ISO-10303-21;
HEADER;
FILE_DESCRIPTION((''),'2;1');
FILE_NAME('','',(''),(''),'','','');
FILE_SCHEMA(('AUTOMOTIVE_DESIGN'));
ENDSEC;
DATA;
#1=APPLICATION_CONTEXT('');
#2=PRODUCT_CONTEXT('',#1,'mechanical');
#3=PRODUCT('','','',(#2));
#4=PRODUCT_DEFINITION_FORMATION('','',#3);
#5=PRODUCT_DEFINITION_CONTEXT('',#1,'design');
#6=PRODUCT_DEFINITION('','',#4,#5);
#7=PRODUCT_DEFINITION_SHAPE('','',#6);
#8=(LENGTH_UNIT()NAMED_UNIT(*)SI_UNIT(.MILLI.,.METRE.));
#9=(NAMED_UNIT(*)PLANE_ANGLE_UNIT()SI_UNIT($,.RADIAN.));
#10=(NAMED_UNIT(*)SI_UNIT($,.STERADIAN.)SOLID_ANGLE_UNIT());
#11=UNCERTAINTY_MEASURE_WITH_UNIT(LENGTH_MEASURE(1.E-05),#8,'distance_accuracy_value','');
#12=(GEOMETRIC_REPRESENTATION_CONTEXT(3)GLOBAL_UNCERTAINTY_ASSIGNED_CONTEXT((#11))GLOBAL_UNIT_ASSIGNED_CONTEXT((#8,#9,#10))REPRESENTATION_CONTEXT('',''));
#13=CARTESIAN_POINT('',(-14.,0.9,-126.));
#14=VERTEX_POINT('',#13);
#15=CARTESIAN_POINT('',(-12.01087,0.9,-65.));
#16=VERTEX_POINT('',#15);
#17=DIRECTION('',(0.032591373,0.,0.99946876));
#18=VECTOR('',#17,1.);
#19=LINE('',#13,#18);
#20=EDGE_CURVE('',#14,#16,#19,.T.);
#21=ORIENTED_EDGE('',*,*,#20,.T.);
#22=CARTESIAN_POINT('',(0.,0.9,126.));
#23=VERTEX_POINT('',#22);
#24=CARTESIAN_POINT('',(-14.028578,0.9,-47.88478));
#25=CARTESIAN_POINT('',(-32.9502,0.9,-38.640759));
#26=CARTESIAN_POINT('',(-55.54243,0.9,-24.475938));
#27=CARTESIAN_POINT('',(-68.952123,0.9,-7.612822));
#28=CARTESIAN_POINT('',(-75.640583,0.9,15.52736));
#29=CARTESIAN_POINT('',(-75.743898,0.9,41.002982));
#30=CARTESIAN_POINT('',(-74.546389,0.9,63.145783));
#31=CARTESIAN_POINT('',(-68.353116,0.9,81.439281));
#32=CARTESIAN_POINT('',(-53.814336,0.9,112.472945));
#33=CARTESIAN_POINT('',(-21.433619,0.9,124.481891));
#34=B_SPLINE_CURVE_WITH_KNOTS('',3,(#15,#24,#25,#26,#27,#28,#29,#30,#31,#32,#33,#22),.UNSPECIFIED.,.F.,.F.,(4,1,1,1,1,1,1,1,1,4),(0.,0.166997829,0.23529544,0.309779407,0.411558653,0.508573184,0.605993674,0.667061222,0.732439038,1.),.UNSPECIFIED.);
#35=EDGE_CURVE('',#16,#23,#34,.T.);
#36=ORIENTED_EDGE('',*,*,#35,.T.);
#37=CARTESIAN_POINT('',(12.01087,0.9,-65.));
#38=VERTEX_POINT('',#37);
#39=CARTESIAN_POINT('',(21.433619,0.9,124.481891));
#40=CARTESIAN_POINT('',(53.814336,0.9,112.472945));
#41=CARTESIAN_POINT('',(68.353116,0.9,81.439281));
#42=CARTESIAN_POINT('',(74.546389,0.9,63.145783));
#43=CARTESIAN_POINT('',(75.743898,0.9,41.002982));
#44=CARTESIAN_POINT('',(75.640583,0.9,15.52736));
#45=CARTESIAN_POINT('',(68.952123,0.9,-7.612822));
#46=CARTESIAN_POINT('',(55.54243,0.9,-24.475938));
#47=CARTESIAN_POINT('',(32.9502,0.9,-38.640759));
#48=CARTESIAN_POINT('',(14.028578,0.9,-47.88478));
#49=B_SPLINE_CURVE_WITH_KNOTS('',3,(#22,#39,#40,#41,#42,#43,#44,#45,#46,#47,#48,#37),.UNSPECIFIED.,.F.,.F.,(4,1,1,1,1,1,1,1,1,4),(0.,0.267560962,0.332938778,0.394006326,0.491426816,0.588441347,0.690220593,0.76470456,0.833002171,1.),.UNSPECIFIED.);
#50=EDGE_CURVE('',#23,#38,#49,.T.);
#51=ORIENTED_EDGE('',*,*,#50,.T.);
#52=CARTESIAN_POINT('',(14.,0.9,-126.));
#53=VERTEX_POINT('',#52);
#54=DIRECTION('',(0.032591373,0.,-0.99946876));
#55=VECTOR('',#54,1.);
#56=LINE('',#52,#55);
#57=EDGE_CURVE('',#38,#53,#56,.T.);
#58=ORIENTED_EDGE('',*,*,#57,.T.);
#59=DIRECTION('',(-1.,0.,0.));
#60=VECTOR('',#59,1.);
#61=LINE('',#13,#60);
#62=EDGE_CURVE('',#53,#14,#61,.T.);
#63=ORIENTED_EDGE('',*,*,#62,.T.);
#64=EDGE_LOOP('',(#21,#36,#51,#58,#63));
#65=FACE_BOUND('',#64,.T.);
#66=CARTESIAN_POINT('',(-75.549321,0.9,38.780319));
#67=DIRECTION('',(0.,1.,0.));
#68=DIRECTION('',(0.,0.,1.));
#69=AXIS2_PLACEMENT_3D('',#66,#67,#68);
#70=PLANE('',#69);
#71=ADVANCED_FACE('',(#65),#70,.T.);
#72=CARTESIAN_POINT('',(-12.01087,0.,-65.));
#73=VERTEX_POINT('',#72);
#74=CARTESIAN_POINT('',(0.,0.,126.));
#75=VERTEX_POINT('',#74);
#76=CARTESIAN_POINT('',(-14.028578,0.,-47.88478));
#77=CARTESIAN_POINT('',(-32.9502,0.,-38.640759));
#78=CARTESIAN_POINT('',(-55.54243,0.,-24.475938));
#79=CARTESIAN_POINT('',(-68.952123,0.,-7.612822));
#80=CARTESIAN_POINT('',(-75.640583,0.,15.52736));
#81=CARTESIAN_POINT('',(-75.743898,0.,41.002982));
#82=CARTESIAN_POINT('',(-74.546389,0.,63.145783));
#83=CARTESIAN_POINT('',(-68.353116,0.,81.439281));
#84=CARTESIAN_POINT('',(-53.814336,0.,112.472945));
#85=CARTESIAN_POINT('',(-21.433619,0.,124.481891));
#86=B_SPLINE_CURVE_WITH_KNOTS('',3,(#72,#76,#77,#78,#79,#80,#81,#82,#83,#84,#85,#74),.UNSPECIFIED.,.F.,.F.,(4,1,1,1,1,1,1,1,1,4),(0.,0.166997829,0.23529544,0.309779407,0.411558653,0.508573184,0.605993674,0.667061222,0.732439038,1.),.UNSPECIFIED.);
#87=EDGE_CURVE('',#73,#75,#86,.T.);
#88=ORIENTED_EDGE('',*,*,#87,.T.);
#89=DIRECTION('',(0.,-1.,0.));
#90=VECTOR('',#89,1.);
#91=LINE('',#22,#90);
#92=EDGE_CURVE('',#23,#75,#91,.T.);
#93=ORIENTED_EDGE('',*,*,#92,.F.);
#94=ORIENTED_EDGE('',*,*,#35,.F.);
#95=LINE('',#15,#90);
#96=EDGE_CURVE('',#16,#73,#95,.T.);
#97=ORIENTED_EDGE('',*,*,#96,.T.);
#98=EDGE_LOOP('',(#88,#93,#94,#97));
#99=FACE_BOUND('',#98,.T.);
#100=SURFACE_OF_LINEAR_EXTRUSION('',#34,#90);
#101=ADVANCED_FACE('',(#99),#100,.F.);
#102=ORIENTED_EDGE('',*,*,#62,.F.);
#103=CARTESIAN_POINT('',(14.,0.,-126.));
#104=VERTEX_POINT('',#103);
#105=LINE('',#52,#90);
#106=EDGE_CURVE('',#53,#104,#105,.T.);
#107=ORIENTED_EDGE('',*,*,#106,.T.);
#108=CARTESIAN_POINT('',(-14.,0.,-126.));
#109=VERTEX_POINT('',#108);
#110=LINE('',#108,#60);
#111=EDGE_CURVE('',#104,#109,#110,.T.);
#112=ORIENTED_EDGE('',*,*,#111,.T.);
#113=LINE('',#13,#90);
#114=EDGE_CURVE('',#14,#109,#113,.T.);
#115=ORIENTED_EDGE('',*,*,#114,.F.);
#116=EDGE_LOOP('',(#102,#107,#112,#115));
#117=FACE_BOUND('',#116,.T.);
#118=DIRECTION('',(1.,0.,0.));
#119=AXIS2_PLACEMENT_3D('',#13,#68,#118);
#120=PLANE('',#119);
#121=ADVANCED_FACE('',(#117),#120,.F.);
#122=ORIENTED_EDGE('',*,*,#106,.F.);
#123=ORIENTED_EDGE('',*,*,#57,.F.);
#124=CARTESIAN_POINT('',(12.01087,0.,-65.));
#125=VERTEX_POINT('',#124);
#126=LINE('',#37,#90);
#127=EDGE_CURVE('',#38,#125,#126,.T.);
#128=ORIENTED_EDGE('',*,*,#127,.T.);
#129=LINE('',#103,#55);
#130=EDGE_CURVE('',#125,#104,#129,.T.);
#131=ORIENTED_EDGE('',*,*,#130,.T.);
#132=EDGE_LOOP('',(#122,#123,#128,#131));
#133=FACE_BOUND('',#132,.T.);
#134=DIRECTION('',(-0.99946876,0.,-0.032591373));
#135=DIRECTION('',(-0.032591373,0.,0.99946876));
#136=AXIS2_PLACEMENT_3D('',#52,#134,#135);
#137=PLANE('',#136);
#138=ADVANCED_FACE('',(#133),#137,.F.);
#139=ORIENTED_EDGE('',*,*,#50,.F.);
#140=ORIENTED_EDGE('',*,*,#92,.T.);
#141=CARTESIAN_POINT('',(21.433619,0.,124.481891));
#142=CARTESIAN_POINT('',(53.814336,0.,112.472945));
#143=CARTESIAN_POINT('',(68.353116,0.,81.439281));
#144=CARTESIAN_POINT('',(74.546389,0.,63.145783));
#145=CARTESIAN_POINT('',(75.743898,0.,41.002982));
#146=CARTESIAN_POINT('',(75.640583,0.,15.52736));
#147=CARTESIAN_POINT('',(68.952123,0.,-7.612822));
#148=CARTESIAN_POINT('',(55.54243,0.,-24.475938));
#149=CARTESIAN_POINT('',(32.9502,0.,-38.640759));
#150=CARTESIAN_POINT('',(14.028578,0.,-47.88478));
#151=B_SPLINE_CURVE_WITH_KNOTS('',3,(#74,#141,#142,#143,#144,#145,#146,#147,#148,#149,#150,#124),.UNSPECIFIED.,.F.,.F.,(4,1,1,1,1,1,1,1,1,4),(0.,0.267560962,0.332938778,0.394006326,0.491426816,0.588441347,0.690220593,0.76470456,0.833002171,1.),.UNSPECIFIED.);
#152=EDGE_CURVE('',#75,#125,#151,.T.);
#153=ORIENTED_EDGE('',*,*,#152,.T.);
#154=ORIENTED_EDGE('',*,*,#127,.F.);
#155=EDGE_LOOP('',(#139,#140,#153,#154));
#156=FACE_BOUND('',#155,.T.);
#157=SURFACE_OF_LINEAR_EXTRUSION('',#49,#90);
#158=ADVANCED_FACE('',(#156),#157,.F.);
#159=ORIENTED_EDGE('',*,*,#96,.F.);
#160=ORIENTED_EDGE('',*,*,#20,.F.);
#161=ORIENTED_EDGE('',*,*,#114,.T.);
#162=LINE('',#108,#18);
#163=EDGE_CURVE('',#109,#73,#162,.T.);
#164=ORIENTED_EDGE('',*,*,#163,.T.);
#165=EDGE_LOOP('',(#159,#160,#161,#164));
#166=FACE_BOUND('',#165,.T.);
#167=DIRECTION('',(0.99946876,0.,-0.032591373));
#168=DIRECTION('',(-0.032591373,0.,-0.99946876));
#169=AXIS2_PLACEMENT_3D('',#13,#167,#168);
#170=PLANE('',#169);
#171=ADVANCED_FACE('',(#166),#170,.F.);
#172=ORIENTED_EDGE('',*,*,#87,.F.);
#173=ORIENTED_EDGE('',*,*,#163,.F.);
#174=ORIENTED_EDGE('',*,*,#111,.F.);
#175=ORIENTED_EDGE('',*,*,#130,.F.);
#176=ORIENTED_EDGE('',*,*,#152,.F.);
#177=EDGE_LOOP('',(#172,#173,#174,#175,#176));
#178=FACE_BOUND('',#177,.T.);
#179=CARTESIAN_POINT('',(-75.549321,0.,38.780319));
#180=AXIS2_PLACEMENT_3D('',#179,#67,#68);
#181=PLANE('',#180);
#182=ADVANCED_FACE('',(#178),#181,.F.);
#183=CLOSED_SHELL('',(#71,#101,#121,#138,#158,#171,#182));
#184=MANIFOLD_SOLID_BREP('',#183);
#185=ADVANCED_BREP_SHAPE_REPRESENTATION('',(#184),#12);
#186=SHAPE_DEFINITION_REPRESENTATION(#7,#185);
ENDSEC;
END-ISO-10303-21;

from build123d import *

# Parameters (mm, degrees)
BOSS_EXTRUDE1_DEPTH = 0.9


with BuildPart() as part:
    # Sketch1 → Boss-Extrude1 (new body)
    with BuildSketch(Plane(origin=(0, 0, 0), x_dir=(1, 0, 0), z_dir=(0, 1, 0))):
        with BuildLine():
            Line((-14, 126), (14, 126))
            Line((14, 126), (12.010869565, 65))
            add(Edge.make_bspline(
                [(0, -126), (21.433619385, -124.481891069), (53.814336013, -112.472945485), (68.353116066, -81.439281394), (74.54638909, -63.145782756), (75.743897619, -41.002981951), (75.640582841, -15.527359986), (68.952122949, 7.612822047), (55.542429665, 24.475938434), (32.950199531, 38.640758932), (14.028578126, 47.884779804), (12.010869565, 65)],
                knots=[0, 0, 0, 0, 0.267560962, 0.332938778, 0.394006326, 0.491426816, 0.588441347, 0.690220593, 0.76470456, 0.833002171, 1, 1, 1, 1], degree=3))
            add(Edge.make_bspline(
                [(0, -126), (-21.433619385, -124.481891069), (-53.814336013, -112.472945485), (-68.353116066, -81.439281394), (-74.54638909, -63.145782756), (-75.743897619, -41.002981951), (-75.640582841, -15.527359986), (-68.952122949, 7.612822047), (-55.542429665, 24.475938434), (-32.950199531, 38.640758932), (-14.028578126, 47.884779804), (-12.010869565, 65)],
                knots=[0, 0, 0, 0, 0.267560962, 0.332938778, 0.394006326, 0.491426816, 0.588441347, 0.690220593, 0.76470456, 0.833002171, 1, 1, 1, 1], degree=3))
            Line((-12.010869565, 65), (-14, 126))
        make_face()
    extrude(amount=BOSS_EXTRUDE1_DEPTH)


solid = part.part
